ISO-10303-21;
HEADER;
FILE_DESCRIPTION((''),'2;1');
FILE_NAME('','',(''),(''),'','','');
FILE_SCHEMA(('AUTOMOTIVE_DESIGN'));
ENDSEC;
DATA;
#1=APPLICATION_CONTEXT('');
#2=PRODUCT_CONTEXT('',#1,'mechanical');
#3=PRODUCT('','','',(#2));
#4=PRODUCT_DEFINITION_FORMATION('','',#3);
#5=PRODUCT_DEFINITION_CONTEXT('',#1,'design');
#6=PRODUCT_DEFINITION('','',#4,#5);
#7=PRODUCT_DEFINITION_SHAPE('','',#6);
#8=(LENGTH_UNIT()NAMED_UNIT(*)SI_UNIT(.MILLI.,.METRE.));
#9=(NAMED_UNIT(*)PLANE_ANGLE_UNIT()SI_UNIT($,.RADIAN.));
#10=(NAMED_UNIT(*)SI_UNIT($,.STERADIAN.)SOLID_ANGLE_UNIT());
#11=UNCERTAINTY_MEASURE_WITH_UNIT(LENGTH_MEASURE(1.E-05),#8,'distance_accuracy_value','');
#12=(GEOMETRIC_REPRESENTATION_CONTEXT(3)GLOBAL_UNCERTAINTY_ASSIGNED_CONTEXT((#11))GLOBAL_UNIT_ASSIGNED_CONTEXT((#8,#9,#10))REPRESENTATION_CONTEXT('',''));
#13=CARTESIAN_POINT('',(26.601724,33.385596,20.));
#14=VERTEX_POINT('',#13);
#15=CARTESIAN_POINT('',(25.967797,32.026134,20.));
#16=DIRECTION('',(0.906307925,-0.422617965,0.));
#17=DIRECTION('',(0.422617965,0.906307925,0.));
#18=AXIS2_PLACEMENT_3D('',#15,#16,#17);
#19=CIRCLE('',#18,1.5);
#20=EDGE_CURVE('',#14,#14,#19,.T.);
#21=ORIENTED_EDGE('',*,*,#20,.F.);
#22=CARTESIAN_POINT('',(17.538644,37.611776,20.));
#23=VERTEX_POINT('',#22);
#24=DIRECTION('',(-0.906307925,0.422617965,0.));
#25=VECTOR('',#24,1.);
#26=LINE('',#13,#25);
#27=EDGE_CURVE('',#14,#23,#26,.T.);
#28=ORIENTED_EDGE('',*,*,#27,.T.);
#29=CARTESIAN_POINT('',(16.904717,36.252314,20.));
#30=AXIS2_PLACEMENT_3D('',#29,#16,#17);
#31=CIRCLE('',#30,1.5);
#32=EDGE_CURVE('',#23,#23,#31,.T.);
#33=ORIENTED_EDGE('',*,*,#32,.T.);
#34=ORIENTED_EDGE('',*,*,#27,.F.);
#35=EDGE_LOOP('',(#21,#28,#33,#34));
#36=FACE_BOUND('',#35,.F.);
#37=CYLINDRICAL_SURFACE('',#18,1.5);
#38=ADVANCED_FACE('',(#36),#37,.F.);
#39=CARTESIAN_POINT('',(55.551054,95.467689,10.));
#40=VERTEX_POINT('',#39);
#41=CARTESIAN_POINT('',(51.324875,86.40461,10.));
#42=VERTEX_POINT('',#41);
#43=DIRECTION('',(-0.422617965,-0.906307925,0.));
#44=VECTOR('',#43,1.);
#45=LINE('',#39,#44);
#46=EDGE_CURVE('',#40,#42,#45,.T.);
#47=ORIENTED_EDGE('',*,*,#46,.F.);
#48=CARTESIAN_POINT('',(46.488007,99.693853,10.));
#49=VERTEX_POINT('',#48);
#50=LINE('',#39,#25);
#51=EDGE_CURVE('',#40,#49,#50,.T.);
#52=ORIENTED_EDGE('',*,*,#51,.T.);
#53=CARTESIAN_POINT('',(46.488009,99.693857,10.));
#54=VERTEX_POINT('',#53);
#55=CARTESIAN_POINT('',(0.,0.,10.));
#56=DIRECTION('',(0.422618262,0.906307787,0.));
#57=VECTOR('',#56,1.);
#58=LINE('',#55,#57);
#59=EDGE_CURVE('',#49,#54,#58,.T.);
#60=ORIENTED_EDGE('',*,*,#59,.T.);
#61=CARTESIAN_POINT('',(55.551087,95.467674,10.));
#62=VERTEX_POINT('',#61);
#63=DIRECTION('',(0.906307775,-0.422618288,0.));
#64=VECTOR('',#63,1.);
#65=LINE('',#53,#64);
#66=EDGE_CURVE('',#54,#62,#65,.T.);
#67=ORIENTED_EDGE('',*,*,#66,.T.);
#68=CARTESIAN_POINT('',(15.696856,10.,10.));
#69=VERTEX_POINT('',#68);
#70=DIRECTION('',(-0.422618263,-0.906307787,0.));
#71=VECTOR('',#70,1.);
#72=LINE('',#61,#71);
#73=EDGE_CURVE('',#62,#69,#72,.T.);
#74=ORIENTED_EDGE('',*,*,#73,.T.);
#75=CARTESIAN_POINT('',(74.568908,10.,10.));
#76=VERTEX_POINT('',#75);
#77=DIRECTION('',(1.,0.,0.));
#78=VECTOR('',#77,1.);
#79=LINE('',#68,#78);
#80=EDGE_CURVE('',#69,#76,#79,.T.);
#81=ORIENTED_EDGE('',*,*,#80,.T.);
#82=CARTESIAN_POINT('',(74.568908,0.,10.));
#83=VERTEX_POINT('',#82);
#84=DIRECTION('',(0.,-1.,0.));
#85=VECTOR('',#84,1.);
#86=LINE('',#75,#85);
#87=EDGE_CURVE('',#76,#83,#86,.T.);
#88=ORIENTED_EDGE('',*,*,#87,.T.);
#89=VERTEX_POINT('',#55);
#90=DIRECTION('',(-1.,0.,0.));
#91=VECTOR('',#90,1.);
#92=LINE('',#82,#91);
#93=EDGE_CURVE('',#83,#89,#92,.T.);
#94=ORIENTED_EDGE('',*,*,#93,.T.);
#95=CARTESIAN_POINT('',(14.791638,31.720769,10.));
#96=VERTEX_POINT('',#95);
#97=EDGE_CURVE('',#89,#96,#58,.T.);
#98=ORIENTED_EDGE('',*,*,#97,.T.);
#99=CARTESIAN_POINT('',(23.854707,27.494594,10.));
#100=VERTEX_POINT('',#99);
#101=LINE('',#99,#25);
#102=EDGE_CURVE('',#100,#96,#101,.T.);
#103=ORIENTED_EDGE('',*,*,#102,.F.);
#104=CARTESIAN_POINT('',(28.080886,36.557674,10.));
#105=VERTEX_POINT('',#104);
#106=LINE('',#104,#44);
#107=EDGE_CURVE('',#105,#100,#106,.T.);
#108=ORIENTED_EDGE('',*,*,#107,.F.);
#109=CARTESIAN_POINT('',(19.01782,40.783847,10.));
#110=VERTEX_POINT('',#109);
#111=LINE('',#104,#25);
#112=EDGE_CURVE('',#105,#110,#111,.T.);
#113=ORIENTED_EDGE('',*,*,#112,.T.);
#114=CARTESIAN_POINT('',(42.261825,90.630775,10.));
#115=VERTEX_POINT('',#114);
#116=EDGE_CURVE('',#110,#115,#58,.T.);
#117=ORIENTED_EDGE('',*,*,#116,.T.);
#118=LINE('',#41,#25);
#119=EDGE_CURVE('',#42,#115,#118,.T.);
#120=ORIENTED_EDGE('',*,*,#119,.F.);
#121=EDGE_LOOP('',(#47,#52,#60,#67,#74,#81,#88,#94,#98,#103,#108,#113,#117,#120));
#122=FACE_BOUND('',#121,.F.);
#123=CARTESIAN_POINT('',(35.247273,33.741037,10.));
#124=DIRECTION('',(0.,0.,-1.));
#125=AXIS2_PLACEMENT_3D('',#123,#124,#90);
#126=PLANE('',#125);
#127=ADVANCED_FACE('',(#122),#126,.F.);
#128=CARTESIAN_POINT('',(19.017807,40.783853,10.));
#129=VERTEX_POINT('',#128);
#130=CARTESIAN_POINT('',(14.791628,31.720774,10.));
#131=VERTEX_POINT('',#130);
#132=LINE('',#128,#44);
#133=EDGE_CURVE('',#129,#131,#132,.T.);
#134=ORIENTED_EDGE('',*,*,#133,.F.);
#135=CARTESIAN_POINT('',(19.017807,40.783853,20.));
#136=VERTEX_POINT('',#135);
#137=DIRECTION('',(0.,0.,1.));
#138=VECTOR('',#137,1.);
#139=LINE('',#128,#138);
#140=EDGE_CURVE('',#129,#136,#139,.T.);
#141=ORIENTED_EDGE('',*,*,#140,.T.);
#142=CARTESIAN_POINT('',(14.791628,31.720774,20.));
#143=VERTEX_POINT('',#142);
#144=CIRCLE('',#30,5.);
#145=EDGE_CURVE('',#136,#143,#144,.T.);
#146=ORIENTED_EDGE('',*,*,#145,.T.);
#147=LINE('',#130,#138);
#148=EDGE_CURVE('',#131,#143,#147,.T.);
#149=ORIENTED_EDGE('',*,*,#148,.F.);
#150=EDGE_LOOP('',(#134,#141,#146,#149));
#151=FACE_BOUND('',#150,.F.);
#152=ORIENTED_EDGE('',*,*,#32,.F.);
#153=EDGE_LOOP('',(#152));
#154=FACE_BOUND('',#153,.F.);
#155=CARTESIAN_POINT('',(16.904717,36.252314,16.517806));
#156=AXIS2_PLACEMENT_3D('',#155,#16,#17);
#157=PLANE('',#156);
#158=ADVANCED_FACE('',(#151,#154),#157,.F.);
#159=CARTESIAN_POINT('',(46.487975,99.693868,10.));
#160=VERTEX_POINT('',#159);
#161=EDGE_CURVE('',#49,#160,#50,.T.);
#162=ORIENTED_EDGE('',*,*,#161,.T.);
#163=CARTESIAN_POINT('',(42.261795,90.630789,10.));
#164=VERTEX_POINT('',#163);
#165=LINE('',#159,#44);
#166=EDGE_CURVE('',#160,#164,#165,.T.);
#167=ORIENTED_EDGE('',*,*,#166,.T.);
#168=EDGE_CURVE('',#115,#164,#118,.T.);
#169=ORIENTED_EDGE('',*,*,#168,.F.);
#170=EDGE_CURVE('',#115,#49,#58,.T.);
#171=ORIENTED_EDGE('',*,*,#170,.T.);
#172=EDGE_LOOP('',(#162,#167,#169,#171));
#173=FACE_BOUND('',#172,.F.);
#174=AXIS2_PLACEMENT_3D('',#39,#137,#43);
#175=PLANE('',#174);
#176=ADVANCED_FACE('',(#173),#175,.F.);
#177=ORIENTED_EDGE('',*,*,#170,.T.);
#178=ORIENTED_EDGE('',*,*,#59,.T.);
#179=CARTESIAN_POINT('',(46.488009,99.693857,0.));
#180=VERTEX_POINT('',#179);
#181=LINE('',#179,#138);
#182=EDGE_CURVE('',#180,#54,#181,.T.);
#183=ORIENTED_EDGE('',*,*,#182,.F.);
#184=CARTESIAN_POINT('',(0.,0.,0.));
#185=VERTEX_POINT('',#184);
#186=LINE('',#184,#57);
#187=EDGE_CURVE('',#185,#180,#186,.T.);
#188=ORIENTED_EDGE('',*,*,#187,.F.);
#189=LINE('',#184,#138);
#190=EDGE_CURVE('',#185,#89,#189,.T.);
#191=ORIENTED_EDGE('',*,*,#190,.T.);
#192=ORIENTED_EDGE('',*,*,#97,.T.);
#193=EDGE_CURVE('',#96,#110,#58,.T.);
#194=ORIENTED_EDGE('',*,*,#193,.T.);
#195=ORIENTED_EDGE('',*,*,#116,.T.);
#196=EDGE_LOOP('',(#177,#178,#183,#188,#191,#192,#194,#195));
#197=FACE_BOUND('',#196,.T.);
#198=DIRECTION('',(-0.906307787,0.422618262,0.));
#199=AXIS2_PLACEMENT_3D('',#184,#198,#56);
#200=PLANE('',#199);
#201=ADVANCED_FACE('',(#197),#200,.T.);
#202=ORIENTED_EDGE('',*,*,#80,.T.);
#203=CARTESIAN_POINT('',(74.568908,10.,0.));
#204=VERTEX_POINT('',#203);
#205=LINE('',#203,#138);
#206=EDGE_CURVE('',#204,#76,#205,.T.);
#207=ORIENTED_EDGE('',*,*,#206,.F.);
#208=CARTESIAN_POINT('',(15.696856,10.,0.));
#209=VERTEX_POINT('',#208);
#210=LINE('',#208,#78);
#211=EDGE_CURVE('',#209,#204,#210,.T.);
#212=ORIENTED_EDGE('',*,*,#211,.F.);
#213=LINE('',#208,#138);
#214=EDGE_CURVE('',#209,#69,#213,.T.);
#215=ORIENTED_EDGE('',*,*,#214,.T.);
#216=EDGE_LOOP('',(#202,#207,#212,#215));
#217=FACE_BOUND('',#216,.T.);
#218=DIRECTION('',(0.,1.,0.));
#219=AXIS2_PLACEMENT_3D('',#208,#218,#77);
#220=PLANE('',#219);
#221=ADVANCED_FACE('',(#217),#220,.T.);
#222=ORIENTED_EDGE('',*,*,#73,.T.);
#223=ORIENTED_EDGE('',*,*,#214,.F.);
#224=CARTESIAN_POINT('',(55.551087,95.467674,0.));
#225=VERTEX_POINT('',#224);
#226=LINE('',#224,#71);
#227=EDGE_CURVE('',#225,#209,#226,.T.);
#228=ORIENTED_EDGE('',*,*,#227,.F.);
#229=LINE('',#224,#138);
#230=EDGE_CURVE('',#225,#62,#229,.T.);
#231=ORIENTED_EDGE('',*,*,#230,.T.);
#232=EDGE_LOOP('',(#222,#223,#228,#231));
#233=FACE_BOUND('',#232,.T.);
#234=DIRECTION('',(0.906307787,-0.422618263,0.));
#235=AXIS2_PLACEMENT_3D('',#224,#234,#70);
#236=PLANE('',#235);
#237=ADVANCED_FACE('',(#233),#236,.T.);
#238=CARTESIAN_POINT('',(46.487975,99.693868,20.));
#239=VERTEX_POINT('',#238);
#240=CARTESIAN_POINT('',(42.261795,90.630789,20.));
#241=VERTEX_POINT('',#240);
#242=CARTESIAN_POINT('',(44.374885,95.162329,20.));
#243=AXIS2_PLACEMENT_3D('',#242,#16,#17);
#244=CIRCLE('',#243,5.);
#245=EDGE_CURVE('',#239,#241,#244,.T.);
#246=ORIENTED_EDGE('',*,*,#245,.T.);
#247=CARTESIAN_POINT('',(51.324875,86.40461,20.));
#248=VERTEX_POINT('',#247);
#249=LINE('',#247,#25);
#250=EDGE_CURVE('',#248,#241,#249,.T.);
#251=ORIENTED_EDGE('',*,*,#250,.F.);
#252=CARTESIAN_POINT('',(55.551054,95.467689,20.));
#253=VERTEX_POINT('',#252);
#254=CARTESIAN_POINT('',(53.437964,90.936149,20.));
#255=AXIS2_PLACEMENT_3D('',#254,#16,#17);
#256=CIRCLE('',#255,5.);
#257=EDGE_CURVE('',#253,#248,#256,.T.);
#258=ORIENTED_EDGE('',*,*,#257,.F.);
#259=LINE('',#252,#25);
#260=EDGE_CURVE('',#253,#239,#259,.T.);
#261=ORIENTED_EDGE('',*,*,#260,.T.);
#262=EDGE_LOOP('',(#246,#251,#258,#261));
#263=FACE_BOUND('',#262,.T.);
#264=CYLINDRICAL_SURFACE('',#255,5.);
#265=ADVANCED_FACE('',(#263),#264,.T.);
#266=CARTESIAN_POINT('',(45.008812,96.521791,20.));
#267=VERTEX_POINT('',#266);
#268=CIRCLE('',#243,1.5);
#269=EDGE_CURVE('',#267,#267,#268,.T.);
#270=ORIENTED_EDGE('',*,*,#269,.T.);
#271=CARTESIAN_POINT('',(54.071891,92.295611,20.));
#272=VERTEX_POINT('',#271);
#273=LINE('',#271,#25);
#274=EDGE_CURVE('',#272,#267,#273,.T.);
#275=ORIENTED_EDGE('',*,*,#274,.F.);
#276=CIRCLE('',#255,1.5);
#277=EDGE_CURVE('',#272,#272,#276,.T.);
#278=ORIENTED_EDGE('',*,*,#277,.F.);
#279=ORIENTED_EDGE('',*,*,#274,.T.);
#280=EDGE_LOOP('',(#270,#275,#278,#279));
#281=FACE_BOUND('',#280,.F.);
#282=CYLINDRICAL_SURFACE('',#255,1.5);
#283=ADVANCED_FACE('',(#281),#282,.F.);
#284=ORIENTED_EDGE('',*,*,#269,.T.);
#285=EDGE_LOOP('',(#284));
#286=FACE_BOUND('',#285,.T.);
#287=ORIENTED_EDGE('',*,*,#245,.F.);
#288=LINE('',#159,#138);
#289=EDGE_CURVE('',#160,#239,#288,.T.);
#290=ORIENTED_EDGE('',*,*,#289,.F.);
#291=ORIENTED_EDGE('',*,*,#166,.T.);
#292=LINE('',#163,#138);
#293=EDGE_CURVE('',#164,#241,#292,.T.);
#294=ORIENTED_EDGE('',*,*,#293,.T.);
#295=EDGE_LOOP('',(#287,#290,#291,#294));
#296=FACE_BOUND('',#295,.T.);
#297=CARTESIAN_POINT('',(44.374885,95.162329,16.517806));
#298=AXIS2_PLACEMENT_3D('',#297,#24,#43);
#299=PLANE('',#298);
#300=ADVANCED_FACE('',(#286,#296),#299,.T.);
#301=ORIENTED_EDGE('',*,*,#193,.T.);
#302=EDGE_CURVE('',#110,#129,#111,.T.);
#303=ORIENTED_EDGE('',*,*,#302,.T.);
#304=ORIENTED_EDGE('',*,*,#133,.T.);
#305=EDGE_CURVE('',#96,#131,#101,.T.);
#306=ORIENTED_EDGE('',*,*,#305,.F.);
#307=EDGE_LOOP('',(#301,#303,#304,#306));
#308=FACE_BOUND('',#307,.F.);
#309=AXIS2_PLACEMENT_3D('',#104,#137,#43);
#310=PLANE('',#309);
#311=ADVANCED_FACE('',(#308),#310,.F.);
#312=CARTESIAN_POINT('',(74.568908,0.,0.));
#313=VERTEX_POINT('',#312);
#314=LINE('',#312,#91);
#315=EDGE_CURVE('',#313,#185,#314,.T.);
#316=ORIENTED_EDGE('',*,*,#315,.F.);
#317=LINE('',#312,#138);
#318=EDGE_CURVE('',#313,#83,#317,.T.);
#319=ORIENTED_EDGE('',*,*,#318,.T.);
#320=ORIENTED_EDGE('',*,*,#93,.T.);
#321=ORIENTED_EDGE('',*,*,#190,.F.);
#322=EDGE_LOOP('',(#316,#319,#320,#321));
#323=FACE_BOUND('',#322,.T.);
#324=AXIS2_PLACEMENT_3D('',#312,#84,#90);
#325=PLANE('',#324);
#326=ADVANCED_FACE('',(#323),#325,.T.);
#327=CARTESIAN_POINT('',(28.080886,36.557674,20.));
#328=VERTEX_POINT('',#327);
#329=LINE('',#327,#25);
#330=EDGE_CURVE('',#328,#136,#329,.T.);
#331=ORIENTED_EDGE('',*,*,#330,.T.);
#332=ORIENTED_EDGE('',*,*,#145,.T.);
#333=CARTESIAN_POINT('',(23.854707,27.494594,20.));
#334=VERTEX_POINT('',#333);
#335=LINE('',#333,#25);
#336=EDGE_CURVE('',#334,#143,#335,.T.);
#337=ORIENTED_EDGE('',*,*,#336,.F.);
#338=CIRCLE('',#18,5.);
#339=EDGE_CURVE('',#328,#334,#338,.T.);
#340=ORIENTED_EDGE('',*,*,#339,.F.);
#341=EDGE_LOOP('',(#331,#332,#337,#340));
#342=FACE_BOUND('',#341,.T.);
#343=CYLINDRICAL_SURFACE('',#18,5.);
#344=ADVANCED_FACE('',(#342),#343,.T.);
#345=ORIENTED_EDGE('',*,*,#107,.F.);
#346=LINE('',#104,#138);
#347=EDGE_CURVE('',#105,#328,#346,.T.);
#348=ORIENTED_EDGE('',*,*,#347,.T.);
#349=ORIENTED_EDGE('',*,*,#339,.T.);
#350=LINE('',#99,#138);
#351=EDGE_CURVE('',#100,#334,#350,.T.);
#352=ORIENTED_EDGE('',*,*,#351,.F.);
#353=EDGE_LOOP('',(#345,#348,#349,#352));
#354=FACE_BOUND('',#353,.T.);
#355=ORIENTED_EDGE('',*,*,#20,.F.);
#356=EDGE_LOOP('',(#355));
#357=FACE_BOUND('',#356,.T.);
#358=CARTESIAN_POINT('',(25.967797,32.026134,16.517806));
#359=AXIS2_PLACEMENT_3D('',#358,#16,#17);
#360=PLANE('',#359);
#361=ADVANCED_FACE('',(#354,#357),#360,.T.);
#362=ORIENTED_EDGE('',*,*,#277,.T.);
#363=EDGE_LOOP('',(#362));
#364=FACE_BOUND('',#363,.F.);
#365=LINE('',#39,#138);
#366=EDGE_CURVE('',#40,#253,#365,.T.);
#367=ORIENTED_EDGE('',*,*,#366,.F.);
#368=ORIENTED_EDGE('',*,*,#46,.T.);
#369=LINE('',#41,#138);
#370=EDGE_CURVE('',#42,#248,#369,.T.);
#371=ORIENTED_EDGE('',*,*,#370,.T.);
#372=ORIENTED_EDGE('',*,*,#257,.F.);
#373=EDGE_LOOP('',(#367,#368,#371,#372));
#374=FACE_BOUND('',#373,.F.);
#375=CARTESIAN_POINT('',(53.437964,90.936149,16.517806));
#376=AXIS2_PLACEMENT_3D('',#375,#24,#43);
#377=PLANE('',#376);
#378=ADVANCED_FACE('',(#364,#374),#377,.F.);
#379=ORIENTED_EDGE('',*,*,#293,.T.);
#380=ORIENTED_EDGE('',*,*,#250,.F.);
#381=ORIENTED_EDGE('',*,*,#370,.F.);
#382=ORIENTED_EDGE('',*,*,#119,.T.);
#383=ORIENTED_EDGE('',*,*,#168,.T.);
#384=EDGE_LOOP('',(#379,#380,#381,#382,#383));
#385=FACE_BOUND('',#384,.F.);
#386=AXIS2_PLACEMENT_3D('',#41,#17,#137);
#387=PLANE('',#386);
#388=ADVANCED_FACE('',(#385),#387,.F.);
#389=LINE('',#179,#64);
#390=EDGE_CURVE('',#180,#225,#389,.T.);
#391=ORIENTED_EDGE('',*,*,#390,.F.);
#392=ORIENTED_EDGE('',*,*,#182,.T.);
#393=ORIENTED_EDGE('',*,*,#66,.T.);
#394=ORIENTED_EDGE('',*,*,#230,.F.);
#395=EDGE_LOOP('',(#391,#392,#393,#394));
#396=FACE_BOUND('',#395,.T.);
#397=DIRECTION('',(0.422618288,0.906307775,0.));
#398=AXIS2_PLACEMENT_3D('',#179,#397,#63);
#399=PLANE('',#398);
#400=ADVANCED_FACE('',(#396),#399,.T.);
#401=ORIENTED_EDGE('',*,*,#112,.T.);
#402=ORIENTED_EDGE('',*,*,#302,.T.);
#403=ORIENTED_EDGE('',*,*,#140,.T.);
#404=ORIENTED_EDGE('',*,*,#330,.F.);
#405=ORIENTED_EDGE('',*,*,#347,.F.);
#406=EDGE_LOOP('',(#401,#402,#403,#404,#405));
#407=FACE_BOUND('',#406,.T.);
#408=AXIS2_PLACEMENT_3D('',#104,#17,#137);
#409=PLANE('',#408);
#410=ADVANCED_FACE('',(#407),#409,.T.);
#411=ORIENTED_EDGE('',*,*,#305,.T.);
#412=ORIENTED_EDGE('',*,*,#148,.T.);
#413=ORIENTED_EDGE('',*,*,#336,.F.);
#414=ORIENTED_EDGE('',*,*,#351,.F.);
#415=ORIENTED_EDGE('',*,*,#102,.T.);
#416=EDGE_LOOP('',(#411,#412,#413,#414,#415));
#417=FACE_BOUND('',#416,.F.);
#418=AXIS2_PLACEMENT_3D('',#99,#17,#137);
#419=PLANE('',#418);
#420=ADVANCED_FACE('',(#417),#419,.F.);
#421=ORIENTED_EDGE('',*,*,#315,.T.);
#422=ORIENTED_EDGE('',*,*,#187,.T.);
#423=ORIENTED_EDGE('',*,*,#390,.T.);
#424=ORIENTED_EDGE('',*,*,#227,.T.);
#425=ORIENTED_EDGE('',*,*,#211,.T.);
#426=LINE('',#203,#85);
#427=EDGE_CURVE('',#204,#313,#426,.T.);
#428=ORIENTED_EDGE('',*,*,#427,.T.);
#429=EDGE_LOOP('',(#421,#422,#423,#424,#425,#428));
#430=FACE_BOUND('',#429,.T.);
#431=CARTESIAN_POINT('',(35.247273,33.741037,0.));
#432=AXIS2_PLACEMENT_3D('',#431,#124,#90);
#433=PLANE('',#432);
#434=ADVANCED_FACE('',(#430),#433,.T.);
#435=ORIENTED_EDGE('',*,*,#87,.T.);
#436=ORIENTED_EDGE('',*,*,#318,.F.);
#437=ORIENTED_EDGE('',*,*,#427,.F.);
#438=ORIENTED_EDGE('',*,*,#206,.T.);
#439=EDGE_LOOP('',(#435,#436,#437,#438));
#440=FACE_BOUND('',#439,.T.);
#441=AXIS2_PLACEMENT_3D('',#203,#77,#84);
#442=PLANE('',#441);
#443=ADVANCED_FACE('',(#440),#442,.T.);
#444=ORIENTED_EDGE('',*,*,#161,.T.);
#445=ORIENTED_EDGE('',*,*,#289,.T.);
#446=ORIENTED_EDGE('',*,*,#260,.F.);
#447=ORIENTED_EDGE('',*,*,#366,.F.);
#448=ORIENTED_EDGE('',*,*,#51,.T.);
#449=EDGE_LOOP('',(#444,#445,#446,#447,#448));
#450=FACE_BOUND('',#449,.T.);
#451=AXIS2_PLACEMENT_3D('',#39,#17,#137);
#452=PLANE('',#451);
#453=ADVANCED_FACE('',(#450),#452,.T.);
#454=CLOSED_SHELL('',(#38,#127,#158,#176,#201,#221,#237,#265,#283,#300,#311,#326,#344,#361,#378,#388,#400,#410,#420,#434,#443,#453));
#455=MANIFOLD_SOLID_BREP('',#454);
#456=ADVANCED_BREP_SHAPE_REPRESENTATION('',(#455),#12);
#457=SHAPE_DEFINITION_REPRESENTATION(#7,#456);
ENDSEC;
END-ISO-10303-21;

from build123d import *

# Parameters (mm, degrees)
PAD_DEPTH    = 10
SKETCH001_R  = 1.5
PAD001_DEPTH = 10


with BuildPart() as part:
    # Sketch → Pad (new body)
    with BuildSketch(Plane.XY):
        Polygon((74.568908, 0), (0, 0), (46.488009, 99.693857), (55.551087, 95.467674), (15.696856, 10), (74.568908, 10), align=None)
    extrude(amount=PAD_DEPTH)

    # Sketch001 (on Face4 of Pad) → Pad001 (join)
    with BuildSketch(Plane(origin=(9.063078, -4.226183, 0), x_dir=(0.422618, 0.906308, 0), z_dir=(0.906308, -0.422618, 0))):
        with BuildLine():
            Line((110, 10), (100, 10))
            Line((100, 10), (100, 20))
            ThreePointArc((110, 20), (105, 25), (100, 20))
            Line((110, 10), (110, 20))
        make_face()
        with Locations((105, 20)):
            Circle(SKETCH001_R, mode=Mode.SUBTRACT)
        with BuildLine():
            Line((45, 10), (45, 20))
            ThreePointArc((45, 20), (40, 25), (35, 20))
            Line((35, 10), (35, 20))
            Line((45, 10), (35, 10))
        make_face()
        with Locations((40, 20)):
            Circle(SKETCH001_R, mode=Mode.SUBTRACT)
    extrude(amount=-PAD001_DEPTH)


solid = part.part
